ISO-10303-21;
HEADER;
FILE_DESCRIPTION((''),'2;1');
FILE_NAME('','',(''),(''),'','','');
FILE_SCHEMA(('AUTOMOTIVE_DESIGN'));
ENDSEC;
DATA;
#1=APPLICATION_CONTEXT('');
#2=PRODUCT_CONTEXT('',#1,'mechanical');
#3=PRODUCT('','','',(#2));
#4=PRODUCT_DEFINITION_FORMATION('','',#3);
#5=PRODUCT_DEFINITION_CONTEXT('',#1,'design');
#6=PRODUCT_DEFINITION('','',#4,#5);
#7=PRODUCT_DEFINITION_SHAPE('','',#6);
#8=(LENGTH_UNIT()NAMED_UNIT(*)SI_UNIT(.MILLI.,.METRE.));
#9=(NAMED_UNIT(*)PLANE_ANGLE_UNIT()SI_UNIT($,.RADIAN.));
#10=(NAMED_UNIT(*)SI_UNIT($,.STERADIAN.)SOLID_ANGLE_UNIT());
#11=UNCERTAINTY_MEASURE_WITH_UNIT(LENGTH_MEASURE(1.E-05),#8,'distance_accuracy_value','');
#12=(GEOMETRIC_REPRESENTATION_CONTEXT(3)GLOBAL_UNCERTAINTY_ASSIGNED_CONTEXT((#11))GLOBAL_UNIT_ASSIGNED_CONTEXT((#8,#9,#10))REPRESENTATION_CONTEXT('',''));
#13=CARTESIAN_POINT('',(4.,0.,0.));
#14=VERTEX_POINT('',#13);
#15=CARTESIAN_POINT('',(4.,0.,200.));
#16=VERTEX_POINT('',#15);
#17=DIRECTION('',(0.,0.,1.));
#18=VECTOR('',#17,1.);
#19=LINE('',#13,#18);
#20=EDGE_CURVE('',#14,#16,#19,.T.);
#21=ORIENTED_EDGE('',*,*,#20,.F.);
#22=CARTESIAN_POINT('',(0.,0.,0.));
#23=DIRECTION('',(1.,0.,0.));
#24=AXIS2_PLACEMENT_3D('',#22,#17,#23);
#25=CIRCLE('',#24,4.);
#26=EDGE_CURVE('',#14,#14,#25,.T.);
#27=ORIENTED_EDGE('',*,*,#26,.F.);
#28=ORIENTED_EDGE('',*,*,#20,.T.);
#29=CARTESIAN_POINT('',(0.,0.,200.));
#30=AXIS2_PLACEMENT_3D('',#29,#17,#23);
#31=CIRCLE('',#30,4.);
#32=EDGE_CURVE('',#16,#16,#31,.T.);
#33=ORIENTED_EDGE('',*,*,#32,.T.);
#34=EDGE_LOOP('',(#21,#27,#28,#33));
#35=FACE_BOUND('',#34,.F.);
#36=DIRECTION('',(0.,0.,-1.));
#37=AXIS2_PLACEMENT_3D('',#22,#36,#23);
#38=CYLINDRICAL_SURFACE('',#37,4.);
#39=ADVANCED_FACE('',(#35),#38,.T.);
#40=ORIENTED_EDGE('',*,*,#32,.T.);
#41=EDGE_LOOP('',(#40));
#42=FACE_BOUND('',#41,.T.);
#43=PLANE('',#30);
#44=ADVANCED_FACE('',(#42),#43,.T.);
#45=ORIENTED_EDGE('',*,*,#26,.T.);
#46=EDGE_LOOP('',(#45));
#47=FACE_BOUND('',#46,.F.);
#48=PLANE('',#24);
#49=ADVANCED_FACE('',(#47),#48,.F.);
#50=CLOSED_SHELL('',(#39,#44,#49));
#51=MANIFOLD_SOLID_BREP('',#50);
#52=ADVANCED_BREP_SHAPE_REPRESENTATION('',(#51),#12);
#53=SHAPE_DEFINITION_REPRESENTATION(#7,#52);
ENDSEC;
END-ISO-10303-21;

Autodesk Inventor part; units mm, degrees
ref_plane "YZ Plane" through (0, 0, 0) normal (1, 0, 0) x (0, 1, 0)
ref_plane "XZ Plane" through (0, 0, 0) normal (0, 1, 0) x (-1, 0, 0)
ref_plane "XY Plane" through (0, 0, 0) normal (0, 0, 1) x (1, 0, 0)
sketch "Sketch1" plane through (0, 0, 0) normal (0, 0, 1) x (1, 0, 0)
  circle A0 centre (0, 0) radius 4
  dimension "d0" = 8
extrude "Extrusion1" add sketch "Sketch1" along normal blind 200
thread "Thread1" size "M8x1.25" class "6g" standard "ANSI Metric M Profile" full length
properties part number "frame rod 1"
